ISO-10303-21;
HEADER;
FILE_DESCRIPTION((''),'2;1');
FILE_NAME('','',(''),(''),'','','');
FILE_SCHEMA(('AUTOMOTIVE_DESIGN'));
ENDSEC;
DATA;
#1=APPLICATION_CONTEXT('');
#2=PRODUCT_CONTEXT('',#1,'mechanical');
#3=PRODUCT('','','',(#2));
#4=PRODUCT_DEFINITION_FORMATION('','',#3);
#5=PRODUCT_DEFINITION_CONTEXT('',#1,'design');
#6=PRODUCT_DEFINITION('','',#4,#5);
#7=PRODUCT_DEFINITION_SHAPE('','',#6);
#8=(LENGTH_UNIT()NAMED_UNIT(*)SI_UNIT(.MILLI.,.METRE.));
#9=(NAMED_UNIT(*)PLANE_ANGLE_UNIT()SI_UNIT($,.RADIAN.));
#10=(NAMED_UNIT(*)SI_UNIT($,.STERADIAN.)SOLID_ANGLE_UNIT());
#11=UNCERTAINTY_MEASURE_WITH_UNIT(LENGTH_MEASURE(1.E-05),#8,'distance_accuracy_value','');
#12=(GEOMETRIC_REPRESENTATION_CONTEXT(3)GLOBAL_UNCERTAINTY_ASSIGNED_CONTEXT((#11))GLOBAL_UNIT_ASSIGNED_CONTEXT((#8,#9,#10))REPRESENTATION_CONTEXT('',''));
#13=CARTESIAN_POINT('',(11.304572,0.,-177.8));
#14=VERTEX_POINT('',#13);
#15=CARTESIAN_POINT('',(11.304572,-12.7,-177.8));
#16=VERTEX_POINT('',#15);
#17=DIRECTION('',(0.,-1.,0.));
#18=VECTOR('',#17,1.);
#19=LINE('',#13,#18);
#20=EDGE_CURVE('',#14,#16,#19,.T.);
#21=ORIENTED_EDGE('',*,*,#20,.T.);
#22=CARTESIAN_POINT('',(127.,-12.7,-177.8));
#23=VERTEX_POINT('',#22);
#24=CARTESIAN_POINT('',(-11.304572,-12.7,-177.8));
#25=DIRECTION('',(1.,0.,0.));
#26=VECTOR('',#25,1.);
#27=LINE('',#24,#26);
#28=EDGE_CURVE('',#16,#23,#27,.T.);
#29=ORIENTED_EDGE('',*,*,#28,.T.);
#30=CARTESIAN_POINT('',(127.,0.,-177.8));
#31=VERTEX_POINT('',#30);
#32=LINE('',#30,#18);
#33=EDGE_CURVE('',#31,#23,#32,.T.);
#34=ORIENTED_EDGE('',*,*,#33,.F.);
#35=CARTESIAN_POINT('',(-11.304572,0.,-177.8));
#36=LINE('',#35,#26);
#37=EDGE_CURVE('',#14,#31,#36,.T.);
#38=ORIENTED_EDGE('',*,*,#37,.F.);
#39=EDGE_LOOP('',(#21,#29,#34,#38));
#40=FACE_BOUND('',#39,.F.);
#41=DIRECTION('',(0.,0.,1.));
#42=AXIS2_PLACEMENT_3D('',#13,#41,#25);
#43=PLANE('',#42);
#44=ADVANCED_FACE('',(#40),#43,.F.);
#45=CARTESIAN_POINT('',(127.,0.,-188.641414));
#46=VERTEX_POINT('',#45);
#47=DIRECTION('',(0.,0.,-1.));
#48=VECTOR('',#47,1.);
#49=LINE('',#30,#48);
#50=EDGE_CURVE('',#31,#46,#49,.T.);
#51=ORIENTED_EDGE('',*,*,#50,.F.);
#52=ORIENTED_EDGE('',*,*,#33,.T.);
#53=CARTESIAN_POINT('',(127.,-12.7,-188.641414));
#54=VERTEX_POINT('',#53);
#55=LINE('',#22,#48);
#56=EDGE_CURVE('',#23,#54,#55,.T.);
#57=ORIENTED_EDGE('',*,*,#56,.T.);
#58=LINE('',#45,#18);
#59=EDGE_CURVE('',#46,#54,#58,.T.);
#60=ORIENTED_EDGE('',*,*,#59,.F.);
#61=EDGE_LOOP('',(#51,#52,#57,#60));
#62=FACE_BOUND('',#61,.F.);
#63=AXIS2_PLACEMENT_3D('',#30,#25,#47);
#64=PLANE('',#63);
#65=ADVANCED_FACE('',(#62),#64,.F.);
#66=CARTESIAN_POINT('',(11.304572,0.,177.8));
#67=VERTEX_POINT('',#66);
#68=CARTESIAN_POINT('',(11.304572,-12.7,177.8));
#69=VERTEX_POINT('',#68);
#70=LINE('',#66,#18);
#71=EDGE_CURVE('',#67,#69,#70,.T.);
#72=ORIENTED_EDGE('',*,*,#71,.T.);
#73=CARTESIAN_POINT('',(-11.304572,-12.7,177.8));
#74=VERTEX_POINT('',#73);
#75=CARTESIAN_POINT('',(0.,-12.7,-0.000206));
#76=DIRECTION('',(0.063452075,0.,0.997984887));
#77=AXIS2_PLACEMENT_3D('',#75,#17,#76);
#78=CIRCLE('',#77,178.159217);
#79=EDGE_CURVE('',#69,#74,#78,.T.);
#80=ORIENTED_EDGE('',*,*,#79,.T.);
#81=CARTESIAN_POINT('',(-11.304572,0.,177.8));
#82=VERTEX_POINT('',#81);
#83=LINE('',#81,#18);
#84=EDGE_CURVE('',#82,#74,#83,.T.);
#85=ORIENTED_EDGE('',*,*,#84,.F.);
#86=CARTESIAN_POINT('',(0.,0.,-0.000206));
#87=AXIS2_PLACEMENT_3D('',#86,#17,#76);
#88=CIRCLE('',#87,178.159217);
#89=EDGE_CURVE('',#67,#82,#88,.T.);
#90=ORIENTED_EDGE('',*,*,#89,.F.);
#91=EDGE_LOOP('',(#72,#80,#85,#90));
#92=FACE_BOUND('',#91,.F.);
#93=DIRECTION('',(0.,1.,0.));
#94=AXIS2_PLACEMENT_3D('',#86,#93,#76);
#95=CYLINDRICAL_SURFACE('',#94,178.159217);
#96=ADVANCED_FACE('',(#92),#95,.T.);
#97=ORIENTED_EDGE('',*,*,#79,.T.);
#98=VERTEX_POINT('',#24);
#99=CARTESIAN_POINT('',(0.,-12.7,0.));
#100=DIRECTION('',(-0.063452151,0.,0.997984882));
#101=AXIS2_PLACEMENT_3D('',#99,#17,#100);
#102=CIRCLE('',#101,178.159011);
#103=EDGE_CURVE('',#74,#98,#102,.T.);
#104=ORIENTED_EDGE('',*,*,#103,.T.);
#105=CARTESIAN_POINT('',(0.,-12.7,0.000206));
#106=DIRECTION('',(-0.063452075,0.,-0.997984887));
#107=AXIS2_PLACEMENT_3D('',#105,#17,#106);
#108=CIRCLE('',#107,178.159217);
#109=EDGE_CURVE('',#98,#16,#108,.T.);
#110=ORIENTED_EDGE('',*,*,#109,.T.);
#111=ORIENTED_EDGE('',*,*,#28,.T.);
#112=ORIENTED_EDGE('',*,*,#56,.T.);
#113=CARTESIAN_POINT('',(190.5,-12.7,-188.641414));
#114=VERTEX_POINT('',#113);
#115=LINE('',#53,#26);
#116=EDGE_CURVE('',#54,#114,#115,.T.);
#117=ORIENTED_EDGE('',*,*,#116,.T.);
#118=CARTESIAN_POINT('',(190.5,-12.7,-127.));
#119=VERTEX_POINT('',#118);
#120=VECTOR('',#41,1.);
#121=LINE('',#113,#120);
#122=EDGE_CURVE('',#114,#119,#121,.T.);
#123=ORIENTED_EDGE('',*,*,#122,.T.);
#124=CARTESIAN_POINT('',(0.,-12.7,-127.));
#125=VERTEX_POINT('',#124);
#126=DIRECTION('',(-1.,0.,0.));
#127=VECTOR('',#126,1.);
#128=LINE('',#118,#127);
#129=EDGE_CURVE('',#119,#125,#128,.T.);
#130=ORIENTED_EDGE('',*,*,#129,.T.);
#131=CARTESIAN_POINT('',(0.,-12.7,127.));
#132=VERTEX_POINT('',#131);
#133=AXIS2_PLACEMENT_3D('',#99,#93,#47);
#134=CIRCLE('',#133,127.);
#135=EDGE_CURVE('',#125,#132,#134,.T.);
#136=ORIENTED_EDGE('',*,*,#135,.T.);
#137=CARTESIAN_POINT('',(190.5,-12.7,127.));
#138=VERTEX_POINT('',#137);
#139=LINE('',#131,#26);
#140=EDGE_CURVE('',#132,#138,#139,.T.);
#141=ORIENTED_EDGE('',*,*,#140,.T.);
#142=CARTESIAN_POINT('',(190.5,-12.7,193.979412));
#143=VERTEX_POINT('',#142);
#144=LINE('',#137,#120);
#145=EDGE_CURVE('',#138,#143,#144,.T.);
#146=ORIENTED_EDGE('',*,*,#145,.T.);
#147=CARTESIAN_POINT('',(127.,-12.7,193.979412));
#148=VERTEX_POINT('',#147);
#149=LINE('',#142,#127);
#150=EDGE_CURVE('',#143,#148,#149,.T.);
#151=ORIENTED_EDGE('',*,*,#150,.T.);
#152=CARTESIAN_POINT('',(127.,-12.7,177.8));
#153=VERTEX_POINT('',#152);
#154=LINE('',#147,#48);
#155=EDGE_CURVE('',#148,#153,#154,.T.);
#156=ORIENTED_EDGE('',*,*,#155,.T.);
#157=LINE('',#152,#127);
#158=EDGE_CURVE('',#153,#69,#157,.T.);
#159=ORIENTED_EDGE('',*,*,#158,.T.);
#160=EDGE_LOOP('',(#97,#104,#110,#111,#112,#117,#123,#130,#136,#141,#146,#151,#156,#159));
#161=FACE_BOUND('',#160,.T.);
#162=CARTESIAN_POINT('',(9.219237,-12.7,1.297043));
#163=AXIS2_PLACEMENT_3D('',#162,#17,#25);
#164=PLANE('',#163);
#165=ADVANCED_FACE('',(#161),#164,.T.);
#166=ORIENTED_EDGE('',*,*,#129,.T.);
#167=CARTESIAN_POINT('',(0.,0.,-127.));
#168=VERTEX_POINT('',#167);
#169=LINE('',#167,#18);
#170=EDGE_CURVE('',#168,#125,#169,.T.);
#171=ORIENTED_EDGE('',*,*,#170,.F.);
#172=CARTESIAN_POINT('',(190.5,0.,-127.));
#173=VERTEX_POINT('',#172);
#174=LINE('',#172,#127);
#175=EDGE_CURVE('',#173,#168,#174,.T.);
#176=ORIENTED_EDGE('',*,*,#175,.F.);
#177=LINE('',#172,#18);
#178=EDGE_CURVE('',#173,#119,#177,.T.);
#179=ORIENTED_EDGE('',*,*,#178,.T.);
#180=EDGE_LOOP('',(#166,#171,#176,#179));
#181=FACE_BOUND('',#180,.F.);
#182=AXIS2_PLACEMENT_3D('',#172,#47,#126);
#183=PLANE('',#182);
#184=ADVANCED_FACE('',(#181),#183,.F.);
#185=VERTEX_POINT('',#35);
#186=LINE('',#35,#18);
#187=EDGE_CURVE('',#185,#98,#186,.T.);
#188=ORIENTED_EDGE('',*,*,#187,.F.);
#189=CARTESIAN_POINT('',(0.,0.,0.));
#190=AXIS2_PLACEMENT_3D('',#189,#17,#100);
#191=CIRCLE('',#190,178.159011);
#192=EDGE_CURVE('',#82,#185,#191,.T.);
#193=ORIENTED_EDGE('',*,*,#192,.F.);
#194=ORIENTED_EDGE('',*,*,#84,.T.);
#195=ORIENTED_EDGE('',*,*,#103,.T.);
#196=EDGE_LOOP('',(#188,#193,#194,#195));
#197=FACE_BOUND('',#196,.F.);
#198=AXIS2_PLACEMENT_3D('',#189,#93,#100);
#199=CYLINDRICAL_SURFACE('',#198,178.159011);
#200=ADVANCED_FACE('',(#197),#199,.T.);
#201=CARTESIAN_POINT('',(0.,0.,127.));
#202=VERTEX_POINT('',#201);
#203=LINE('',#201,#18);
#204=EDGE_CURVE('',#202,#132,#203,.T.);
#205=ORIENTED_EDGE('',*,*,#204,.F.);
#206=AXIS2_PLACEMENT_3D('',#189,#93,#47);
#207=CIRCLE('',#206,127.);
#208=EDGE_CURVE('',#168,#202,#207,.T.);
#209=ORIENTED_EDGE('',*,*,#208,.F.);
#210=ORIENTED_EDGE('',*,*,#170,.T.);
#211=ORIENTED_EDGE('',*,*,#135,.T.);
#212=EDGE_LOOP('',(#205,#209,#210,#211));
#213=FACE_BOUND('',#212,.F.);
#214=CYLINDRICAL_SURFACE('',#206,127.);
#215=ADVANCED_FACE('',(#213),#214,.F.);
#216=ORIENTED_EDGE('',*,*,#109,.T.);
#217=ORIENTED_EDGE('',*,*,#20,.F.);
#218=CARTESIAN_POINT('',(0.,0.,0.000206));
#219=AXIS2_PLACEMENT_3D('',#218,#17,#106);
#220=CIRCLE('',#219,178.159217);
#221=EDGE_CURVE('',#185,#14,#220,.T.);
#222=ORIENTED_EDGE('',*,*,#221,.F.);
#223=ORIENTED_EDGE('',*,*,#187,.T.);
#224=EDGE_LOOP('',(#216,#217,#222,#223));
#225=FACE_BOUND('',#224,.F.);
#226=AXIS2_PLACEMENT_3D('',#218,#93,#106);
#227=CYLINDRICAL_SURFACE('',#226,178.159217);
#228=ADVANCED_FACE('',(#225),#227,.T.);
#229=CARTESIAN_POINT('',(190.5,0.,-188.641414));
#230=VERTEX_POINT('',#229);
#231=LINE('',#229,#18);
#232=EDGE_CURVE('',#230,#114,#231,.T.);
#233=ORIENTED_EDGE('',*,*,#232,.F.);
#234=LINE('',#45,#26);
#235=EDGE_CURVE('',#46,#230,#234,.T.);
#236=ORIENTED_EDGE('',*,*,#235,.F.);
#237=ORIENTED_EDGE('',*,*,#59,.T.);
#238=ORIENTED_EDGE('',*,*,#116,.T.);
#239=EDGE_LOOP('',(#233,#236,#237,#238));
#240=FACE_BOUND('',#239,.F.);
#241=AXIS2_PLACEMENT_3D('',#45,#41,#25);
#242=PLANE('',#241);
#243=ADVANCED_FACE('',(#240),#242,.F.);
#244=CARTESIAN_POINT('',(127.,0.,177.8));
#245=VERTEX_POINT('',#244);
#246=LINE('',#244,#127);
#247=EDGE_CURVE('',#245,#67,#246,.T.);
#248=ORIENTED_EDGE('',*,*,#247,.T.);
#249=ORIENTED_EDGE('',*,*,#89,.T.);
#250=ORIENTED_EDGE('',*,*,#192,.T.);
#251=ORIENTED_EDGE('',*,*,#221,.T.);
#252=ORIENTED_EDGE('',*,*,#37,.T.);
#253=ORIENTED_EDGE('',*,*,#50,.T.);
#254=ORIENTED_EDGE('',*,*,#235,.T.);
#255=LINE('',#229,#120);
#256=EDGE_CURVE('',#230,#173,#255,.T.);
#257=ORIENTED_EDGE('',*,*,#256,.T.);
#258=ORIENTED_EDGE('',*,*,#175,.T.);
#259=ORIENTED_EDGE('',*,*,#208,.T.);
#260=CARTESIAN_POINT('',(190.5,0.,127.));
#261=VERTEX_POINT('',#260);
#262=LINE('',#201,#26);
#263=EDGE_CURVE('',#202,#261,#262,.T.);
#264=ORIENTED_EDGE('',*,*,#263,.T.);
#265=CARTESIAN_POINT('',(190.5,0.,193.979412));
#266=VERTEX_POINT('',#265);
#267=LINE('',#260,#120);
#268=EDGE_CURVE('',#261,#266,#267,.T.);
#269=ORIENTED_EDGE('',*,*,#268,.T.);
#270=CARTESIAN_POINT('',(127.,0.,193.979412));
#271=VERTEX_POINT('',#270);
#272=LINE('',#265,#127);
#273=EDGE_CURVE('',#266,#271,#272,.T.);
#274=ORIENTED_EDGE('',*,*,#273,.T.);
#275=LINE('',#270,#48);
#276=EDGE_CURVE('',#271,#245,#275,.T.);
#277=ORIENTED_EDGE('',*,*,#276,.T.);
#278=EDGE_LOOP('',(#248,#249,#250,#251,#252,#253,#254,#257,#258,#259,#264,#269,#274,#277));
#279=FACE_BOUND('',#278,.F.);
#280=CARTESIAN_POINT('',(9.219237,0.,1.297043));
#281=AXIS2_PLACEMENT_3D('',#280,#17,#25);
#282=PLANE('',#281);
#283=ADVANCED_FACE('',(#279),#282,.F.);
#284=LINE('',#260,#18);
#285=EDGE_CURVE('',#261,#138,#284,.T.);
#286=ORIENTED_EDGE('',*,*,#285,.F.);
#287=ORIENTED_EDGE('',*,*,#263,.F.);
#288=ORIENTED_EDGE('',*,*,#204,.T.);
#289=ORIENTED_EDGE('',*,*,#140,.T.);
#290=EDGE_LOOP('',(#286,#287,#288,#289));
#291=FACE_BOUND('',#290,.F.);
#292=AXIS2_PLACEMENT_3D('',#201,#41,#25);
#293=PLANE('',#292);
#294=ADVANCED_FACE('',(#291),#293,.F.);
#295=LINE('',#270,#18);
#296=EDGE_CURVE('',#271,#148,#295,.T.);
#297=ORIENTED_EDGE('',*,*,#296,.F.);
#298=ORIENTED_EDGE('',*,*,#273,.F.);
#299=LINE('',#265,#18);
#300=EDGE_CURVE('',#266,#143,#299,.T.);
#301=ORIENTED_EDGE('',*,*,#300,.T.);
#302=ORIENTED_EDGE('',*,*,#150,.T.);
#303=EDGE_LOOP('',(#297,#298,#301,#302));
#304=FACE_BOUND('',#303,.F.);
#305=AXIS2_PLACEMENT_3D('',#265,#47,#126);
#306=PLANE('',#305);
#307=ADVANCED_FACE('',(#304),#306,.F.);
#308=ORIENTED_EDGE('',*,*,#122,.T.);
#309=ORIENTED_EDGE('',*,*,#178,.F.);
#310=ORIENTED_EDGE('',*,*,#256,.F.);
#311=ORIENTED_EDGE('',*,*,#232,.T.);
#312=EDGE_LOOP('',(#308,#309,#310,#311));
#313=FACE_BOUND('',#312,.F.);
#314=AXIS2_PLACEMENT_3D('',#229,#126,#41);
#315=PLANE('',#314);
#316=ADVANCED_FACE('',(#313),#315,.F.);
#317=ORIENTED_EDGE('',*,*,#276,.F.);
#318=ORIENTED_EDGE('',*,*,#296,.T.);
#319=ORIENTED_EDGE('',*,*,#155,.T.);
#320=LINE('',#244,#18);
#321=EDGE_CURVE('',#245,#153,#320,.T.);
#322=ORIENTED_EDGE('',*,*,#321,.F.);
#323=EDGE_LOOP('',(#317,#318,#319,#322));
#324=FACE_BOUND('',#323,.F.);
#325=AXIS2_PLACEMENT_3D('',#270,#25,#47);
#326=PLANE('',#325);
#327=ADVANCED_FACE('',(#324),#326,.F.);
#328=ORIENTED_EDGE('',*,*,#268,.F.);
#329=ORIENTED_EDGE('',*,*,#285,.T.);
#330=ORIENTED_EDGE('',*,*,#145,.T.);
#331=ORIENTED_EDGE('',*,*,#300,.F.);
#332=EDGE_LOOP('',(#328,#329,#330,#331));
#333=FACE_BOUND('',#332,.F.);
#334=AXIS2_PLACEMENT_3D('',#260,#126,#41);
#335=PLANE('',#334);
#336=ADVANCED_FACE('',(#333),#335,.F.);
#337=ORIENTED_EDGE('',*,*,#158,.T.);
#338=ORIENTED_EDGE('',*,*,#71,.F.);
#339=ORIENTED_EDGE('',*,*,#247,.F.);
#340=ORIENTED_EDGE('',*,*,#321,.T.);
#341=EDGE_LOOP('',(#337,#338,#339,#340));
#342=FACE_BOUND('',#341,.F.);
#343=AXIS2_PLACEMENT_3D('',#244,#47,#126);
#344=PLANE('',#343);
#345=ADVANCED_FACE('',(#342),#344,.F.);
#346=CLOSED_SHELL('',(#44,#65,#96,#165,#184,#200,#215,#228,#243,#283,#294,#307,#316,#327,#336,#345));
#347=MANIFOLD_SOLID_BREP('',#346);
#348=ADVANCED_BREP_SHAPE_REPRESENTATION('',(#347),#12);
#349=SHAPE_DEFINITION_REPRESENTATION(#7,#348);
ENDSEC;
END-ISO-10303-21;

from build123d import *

# Parameters (mm, degrees)
F1_DEPTH = 12.7


with BuildPart() as f1:
    # F0 (on Front) → F1 (new body)
    with BuildSketch(Plane.XZ):
        with BuildLine():
            ThreePointArc((-11.304572, 177.8), (-178.159011, 0), (-11.304572, -177.8))
            Line((-11.304572, -177.8), (11.304572, -177.8))
            Line((11.304572, -177.8), (127, -177.8))
            Line((127, -177.8), (127, -188.641414))
            Line((127, -188.641414), (190.5, -188.641414))
            Line((190.5, -188.641414), (190.5, -177.8))
            Line((190.5, -177.8), (190.5, -127))
            Line((190.5, -127), (127, -127))
            Line((127, -127), (0, -127))
            ThreePointArc((0, -127), (-127, 0), (0, 127))
            Line((0, 127), (127, 127))
            Line((127, 127), (190.5, 127))
            Line((190.5, 127), (190.5, 177.8))
            Line((190.5, 177.8), (190.5, 193.979412))
            Line((190.5, 193.979412), (127, 193.979412))
            Line((127, 193.979412), (127, 177.8))
            Line((127, 177.8), (11.304572, 177.8))
            Line((11.304572, 177.8), (-11.304572, 177.8))
        make_face()
        with BuildLine():
            Line((11.304572, -177.8), (-11.304572, -177.8))
            ThreePointArc((-11.304572, -177.8), (0, -178.159011), (11.304572, -177.8))
        make_face()
        with BuildLine():
            ThreePointArc((11.304572, 177.8), (0, 178.159011), (-11.304572, 177.8))
            Line((-11.304572, 177.8), (11.304572, 177.8))
        make_face()
    extrude(amount=F1_DEPTH)


solid = f1.part
